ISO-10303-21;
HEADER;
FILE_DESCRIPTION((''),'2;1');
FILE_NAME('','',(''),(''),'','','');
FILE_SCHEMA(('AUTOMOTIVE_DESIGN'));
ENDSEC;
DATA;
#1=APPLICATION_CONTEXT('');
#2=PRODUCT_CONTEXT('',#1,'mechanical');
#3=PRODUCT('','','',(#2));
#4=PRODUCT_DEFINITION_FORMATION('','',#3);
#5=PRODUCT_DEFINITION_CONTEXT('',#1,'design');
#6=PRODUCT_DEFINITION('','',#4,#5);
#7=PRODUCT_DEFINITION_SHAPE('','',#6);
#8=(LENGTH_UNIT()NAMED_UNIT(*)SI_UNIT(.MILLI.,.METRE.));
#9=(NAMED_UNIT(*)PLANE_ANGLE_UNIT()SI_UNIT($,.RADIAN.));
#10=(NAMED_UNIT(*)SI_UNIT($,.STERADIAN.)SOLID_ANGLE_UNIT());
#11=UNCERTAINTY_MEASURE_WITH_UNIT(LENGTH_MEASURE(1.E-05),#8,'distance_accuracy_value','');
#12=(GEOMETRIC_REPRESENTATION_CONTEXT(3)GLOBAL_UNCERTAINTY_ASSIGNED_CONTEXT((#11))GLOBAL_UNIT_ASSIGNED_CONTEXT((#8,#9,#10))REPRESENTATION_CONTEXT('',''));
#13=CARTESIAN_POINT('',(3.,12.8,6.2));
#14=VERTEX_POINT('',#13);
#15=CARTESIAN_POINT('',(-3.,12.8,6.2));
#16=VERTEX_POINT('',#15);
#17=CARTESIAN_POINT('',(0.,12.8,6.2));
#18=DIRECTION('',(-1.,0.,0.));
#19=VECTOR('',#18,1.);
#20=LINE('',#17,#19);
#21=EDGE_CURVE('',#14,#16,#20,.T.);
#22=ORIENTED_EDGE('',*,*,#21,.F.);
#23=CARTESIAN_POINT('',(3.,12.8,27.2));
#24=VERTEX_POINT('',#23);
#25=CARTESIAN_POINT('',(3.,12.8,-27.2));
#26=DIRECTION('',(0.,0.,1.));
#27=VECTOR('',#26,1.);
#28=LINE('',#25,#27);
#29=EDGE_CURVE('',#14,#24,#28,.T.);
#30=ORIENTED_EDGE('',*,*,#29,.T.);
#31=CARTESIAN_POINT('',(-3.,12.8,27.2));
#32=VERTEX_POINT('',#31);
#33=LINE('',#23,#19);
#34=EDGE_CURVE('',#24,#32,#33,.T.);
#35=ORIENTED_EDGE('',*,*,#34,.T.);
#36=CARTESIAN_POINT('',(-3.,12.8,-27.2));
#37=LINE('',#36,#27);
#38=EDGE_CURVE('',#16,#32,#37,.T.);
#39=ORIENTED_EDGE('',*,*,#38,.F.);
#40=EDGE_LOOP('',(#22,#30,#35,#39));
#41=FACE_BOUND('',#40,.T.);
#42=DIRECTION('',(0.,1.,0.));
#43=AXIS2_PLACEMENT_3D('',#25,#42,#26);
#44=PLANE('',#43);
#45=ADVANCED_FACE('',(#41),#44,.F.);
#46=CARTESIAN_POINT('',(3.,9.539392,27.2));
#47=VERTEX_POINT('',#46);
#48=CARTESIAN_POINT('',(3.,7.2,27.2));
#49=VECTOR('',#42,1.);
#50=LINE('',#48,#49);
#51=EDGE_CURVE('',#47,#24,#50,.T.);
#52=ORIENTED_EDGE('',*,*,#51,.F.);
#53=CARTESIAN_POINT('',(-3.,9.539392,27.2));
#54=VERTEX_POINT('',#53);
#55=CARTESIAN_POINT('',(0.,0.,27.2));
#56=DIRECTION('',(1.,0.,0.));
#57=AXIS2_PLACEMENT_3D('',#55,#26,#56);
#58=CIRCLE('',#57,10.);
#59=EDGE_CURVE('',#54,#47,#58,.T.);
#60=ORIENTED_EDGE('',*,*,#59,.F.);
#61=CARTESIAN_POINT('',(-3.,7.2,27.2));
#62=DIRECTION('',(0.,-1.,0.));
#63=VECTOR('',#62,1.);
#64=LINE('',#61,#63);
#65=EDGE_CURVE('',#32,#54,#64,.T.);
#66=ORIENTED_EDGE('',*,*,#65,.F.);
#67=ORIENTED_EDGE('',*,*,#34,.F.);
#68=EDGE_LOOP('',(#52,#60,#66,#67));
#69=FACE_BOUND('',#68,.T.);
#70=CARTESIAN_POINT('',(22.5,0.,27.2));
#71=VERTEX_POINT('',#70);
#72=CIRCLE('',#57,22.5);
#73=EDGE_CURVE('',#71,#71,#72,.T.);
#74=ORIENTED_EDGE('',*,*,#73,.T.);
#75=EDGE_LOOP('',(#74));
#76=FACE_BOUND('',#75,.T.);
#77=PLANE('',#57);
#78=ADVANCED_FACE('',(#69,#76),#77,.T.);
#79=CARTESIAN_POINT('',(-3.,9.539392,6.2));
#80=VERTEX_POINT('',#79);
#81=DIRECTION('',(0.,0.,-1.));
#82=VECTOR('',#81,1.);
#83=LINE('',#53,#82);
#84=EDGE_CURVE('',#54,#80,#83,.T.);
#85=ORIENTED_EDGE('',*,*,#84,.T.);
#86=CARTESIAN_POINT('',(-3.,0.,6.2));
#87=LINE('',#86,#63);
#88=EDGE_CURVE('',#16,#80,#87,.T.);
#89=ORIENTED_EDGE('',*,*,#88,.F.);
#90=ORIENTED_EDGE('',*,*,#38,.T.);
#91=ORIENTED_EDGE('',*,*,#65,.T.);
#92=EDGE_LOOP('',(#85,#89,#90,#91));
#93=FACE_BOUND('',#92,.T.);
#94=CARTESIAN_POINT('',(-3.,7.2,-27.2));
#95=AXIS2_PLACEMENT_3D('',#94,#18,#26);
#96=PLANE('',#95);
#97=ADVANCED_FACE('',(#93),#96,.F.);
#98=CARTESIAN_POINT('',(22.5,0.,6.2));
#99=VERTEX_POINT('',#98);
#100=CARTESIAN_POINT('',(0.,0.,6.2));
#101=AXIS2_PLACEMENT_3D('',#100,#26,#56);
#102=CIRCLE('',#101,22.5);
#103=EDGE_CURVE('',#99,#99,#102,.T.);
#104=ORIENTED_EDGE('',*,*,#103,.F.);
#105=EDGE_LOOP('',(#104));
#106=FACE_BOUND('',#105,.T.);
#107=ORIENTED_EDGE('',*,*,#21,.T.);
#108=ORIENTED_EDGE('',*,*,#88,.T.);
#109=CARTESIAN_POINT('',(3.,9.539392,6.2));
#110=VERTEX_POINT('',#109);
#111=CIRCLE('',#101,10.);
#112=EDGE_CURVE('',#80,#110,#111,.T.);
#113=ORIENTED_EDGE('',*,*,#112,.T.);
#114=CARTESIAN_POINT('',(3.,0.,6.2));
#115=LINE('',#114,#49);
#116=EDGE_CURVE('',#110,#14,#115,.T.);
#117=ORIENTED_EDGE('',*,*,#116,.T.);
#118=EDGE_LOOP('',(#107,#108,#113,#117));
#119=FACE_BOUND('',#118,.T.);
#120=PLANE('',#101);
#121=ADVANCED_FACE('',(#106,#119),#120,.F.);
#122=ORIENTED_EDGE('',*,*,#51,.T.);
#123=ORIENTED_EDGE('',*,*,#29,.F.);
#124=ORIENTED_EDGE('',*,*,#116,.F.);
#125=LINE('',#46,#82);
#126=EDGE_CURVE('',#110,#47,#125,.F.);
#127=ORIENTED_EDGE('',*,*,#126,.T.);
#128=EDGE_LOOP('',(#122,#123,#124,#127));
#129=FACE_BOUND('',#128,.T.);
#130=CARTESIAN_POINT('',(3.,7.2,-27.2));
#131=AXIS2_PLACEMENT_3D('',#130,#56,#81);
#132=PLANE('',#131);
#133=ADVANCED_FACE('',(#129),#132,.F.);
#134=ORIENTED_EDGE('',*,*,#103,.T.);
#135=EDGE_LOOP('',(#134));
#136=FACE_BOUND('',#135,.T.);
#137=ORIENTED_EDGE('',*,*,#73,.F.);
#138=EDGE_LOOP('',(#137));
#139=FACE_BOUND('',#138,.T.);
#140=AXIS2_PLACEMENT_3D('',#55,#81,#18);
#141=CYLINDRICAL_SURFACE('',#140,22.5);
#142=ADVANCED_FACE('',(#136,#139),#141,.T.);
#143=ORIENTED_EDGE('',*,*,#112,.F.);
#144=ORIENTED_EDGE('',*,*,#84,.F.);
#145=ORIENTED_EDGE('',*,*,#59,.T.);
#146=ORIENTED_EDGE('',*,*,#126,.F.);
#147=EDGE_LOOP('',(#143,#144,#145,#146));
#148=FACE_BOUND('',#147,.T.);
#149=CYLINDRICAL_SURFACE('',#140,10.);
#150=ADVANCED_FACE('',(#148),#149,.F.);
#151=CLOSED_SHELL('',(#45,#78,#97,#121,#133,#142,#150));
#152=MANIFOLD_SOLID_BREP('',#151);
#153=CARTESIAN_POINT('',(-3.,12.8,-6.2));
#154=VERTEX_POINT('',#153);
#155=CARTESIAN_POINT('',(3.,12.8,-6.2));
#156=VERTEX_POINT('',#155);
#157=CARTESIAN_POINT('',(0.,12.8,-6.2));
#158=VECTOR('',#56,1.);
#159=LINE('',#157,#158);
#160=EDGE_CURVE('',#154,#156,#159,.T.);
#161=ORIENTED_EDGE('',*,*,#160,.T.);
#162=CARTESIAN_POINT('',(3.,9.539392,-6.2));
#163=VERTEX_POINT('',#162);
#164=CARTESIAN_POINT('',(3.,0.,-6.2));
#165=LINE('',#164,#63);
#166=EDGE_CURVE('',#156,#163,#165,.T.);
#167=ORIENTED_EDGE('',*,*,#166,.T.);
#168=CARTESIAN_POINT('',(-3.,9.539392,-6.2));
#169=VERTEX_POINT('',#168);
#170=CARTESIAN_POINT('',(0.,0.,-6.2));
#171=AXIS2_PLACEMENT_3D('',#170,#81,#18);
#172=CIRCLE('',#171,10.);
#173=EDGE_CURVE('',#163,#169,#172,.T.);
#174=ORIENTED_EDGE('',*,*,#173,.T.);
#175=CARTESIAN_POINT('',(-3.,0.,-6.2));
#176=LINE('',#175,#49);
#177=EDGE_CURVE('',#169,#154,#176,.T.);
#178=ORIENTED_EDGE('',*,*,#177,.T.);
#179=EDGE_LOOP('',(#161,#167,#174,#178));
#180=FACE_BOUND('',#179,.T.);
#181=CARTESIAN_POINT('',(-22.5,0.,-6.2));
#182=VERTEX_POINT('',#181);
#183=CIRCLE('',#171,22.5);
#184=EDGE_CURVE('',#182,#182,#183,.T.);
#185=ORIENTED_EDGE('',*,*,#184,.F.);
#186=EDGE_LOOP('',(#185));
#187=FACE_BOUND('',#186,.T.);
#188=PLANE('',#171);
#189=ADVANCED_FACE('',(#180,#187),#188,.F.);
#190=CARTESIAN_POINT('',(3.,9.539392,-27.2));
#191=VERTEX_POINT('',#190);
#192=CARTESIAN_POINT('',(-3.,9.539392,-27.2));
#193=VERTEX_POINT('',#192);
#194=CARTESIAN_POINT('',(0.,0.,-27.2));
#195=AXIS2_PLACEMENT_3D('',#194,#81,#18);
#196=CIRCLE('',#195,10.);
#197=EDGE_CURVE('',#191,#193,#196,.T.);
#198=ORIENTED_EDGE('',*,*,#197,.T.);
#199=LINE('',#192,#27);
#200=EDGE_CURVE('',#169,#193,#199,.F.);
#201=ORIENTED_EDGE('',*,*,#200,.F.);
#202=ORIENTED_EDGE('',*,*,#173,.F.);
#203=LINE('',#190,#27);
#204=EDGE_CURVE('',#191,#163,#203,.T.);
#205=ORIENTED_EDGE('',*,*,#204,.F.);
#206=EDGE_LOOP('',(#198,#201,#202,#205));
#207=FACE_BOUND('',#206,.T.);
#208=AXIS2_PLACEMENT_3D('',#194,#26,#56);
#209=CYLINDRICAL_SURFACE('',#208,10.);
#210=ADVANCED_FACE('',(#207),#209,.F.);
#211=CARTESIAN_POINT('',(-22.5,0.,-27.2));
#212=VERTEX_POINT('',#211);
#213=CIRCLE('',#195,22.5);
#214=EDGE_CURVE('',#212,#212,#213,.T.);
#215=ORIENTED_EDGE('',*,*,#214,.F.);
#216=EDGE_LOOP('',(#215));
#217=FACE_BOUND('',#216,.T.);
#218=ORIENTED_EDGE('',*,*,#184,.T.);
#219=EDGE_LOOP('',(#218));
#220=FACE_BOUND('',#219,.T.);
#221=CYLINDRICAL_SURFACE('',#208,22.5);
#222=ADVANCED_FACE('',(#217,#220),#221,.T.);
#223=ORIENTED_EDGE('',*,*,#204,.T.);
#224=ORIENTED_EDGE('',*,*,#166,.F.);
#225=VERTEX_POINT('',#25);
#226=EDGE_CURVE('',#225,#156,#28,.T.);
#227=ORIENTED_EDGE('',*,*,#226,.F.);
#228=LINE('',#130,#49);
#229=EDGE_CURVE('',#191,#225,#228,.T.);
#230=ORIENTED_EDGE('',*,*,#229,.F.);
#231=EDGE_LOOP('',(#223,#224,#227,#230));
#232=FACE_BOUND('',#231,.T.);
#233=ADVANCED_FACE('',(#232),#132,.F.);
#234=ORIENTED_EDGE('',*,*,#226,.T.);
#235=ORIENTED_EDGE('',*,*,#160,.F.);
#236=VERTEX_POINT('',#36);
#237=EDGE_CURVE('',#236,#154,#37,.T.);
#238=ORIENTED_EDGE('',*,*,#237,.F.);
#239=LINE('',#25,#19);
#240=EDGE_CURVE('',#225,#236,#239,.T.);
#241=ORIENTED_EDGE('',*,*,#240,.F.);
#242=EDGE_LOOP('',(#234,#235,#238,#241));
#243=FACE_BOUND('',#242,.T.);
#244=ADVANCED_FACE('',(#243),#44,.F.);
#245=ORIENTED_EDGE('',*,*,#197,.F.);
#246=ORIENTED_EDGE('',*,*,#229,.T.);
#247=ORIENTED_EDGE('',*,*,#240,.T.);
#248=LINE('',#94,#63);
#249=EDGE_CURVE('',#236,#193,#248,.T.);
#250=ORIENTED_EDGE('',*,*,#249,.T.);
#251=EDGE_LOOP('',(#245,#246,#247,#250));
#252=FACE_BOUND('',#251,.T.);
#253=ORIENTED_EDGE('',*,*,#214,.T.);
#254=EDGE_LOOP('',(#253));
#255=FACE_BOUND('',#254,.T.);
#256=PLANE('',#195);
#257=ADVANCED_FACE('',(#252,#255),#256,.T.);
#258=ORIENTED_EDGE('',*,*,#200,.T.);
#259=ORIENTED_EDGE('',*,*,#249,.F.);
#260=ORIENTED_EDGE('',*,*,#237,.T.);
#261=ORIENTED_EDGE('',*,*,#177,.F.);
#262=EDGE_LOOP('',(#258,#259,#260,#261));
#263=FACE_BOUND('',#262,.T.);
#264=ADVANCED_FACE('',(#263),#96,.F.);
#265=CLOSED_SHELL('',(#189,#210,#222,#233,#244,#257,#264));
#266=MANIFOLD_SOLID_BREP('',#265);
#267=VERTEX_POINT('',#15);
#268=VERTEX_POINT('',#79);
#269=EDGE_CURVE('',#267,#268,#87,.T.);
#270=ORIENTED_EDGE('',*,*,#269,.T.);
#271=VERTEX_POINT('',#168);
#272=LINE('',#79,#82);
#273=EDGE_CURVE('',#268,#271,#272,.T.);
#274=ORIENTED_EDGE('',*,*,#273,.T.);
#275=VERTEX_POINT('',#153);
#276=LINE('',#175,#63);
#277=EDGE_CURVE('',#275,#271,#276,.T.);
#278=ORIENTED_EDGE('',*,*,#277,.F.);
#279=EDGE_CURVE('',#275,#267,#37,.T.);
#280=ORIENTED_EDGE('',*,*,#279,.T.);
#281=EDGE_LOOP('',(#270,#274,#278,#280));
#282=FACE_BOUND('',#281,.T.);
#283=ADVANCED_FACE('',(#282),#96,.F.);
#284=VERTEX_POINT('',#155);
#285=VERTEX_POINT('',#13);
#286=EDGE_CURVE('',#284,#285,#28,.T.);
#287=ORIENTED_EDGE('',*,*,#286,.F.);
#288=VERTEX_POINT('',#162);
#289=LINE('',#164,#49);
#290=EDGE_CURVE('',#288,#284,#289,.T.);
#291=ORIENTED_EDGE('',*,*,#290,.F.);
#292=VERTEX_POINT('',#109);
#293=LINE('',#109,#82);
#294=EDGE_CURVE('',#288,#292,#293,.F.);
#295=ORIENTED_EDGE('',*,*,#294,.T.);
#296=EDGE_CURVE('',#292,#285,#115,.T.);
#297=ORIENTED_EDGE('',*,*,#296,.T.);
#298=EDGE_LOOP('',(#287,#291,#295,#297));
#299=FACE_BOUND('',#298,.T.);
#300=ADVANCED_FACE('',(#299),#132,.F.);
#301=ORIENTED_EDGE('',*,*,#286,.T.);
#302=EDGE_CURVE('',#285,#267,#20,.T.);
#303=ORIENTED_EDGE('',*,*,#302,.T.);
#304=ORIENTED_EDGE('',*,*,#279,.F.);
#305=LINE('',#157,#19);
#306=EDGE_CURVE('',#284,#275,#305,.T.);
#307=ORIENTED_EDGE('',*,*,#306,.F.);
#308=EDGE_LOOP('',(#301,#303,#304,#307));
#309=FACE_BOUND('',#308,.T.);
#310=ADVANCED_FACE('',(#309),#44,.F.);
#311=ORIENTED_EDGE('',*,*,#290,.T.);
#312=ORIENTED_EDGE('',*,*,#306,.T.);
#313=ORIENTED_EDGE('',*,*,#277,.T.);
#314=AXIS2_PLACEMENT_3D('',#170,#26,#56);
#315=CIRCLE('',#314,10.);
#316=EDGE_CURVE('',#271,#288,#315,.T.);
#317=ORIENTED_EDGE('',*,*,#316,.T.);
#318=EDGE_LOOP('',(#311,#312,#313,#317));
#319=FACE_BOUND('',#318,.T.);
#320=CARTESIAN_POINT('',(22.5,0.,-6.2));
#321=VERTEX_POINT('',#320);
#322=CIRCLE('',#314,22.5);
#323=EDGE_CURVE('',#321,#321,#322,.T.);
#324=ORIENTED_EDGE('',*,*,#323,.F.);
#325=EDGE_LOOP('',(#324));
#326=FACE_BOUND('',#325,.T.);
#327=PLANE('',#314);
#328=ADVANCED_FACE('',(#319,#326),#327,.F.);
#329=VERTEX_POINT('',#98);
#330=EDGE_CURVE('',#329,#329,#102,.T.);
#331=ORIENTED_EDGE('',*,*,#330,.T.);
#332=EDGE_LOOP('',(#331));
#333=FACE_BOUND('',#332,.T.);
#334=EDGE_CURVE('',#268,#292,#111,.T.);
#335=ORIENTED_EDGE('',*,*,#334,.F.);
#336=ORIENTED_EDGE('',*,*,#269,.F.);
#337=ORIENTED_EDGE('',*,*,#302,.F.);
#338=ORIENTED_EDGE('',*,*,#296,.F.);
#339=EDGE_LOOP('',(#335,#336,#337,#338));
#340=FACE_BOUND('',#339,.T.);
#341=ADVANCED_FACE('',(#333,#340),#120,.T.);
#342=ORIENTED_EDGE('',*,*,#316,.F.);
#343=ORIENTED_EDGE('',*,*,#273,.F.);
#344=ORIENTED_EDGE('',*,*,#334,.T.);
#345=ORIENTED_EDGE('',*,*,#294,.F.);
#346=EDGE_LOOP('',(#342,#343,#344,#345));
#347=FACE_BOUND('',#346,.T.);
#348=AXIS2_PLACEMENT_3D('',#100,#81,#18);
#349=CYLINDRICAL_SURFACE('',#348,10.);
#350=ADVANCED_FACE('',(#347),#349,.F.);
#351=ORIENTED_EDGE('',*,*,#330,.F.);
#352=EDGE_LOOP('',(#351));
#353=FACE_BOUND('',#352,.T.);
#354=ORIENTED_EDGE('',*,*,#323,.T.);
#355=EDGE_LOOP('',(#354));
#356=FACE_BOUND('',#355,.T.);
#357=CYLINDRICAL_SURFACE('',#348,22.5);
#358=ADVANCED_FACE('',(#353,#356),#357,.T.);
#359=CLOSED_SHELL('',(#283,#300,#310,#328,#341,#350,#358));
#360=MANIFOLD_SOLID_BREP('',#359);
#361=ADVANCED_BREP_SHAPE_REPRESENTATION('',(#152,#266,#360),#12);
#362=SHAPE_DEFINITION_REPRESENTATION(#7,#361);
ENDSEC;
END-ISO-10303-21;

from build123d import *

# Parameters (mm, degrees)
SKETCH_1_R          = 22.5
SKETCH_1_R_2        = 10
EXTRUDE_1_DEPTH     = 6.2
SKETCH_3_R          = 22.5
SKETCH_3_R_2        = 10
EXTRUDE_2_DEPTH     = 21
SKETCH_4_R          = 22.5
SKETCH_4_R_2        = 10
EXTRUDE_3_DEPTH     = 21
SKETCH_6_W          = 6
SKETCH_6_H          = 5.6
CUT_EXTRUDE_1_DEPTH = 55.4


with BuildPart() as part:
    # 草图1 → 凸台-拉伸1 (new body, symmetric)
    with BuildSketch(Plane.XY):
        Circle(SKETCH_1_R)
        Circle(SKETCH_1_R_2, mode=Mode.SUBTRACT)
    extrude(amount=EXTRUDE_1_DEPTH, both=True)


with BuildPart() as body_2:
    # 草图3 → 凸台-拉伸2 (new body)
    with BuildSketch(Plane.XY.offset(6.2)):
        Circle(SKETCH_3_R)
        Circle(SKETCH_3_R_2, mode=Mode.SUBTRACT)
    extrude(amount=EXTRUDE_2_DEPTH)


with BuildPart() as body_3:
    # 草图4 → 凸台-拉伸3 (new body)
    with BuildSketch(Plane(origin=(0, 0, -6.2), x_dir=(-1, 0, 0), z_dir=(0, 0, -1))):
        Circle(SKETCH_4_R)
        Circle(SKETCH_4_R_2, mode=Mode.SUBTRACT)
    extrude(amount=EXTRUDE_3_DEPTH)


with BuildPart() as cut_extrude_1_tool:
    # 草图6 → 切除-拉伸1 (new body, through all)
    with BuildSketch(Plane.XY.offset(27.2)):
        with Locations((0, 10)):
            Rectangle(SKETCH_6_W, SKETCH_6_H)
    extrude(amount=-CUT_EXTRUDE_1_DEPTH)


with BuildPart() as part_1:
    add(part.part)

    # 切除-拉伸1: cut by cut_extrude_1_tool
    add(cut_extrude_1_tool.part, mode=Mode.SUBTRACT)


with BuildPart() as body_2_1:
    add(body_2.part)

    # 切除-拉伸1: cut by cut_extrude_1_tool
    add(cut_extrude_1_tool.part, mode=Mode.SUBTRACT)


with BuildPart() as body_3_1:
    add(body_3.part)

    # 切除-拉伸1: cut by cut_extrude_1_tool
    add(cut_extrude_1_tool.part, mode=Mode.SUBTRACT)


solid = Compound([part_1.part, body_2_1.part, body_3_1.part])
